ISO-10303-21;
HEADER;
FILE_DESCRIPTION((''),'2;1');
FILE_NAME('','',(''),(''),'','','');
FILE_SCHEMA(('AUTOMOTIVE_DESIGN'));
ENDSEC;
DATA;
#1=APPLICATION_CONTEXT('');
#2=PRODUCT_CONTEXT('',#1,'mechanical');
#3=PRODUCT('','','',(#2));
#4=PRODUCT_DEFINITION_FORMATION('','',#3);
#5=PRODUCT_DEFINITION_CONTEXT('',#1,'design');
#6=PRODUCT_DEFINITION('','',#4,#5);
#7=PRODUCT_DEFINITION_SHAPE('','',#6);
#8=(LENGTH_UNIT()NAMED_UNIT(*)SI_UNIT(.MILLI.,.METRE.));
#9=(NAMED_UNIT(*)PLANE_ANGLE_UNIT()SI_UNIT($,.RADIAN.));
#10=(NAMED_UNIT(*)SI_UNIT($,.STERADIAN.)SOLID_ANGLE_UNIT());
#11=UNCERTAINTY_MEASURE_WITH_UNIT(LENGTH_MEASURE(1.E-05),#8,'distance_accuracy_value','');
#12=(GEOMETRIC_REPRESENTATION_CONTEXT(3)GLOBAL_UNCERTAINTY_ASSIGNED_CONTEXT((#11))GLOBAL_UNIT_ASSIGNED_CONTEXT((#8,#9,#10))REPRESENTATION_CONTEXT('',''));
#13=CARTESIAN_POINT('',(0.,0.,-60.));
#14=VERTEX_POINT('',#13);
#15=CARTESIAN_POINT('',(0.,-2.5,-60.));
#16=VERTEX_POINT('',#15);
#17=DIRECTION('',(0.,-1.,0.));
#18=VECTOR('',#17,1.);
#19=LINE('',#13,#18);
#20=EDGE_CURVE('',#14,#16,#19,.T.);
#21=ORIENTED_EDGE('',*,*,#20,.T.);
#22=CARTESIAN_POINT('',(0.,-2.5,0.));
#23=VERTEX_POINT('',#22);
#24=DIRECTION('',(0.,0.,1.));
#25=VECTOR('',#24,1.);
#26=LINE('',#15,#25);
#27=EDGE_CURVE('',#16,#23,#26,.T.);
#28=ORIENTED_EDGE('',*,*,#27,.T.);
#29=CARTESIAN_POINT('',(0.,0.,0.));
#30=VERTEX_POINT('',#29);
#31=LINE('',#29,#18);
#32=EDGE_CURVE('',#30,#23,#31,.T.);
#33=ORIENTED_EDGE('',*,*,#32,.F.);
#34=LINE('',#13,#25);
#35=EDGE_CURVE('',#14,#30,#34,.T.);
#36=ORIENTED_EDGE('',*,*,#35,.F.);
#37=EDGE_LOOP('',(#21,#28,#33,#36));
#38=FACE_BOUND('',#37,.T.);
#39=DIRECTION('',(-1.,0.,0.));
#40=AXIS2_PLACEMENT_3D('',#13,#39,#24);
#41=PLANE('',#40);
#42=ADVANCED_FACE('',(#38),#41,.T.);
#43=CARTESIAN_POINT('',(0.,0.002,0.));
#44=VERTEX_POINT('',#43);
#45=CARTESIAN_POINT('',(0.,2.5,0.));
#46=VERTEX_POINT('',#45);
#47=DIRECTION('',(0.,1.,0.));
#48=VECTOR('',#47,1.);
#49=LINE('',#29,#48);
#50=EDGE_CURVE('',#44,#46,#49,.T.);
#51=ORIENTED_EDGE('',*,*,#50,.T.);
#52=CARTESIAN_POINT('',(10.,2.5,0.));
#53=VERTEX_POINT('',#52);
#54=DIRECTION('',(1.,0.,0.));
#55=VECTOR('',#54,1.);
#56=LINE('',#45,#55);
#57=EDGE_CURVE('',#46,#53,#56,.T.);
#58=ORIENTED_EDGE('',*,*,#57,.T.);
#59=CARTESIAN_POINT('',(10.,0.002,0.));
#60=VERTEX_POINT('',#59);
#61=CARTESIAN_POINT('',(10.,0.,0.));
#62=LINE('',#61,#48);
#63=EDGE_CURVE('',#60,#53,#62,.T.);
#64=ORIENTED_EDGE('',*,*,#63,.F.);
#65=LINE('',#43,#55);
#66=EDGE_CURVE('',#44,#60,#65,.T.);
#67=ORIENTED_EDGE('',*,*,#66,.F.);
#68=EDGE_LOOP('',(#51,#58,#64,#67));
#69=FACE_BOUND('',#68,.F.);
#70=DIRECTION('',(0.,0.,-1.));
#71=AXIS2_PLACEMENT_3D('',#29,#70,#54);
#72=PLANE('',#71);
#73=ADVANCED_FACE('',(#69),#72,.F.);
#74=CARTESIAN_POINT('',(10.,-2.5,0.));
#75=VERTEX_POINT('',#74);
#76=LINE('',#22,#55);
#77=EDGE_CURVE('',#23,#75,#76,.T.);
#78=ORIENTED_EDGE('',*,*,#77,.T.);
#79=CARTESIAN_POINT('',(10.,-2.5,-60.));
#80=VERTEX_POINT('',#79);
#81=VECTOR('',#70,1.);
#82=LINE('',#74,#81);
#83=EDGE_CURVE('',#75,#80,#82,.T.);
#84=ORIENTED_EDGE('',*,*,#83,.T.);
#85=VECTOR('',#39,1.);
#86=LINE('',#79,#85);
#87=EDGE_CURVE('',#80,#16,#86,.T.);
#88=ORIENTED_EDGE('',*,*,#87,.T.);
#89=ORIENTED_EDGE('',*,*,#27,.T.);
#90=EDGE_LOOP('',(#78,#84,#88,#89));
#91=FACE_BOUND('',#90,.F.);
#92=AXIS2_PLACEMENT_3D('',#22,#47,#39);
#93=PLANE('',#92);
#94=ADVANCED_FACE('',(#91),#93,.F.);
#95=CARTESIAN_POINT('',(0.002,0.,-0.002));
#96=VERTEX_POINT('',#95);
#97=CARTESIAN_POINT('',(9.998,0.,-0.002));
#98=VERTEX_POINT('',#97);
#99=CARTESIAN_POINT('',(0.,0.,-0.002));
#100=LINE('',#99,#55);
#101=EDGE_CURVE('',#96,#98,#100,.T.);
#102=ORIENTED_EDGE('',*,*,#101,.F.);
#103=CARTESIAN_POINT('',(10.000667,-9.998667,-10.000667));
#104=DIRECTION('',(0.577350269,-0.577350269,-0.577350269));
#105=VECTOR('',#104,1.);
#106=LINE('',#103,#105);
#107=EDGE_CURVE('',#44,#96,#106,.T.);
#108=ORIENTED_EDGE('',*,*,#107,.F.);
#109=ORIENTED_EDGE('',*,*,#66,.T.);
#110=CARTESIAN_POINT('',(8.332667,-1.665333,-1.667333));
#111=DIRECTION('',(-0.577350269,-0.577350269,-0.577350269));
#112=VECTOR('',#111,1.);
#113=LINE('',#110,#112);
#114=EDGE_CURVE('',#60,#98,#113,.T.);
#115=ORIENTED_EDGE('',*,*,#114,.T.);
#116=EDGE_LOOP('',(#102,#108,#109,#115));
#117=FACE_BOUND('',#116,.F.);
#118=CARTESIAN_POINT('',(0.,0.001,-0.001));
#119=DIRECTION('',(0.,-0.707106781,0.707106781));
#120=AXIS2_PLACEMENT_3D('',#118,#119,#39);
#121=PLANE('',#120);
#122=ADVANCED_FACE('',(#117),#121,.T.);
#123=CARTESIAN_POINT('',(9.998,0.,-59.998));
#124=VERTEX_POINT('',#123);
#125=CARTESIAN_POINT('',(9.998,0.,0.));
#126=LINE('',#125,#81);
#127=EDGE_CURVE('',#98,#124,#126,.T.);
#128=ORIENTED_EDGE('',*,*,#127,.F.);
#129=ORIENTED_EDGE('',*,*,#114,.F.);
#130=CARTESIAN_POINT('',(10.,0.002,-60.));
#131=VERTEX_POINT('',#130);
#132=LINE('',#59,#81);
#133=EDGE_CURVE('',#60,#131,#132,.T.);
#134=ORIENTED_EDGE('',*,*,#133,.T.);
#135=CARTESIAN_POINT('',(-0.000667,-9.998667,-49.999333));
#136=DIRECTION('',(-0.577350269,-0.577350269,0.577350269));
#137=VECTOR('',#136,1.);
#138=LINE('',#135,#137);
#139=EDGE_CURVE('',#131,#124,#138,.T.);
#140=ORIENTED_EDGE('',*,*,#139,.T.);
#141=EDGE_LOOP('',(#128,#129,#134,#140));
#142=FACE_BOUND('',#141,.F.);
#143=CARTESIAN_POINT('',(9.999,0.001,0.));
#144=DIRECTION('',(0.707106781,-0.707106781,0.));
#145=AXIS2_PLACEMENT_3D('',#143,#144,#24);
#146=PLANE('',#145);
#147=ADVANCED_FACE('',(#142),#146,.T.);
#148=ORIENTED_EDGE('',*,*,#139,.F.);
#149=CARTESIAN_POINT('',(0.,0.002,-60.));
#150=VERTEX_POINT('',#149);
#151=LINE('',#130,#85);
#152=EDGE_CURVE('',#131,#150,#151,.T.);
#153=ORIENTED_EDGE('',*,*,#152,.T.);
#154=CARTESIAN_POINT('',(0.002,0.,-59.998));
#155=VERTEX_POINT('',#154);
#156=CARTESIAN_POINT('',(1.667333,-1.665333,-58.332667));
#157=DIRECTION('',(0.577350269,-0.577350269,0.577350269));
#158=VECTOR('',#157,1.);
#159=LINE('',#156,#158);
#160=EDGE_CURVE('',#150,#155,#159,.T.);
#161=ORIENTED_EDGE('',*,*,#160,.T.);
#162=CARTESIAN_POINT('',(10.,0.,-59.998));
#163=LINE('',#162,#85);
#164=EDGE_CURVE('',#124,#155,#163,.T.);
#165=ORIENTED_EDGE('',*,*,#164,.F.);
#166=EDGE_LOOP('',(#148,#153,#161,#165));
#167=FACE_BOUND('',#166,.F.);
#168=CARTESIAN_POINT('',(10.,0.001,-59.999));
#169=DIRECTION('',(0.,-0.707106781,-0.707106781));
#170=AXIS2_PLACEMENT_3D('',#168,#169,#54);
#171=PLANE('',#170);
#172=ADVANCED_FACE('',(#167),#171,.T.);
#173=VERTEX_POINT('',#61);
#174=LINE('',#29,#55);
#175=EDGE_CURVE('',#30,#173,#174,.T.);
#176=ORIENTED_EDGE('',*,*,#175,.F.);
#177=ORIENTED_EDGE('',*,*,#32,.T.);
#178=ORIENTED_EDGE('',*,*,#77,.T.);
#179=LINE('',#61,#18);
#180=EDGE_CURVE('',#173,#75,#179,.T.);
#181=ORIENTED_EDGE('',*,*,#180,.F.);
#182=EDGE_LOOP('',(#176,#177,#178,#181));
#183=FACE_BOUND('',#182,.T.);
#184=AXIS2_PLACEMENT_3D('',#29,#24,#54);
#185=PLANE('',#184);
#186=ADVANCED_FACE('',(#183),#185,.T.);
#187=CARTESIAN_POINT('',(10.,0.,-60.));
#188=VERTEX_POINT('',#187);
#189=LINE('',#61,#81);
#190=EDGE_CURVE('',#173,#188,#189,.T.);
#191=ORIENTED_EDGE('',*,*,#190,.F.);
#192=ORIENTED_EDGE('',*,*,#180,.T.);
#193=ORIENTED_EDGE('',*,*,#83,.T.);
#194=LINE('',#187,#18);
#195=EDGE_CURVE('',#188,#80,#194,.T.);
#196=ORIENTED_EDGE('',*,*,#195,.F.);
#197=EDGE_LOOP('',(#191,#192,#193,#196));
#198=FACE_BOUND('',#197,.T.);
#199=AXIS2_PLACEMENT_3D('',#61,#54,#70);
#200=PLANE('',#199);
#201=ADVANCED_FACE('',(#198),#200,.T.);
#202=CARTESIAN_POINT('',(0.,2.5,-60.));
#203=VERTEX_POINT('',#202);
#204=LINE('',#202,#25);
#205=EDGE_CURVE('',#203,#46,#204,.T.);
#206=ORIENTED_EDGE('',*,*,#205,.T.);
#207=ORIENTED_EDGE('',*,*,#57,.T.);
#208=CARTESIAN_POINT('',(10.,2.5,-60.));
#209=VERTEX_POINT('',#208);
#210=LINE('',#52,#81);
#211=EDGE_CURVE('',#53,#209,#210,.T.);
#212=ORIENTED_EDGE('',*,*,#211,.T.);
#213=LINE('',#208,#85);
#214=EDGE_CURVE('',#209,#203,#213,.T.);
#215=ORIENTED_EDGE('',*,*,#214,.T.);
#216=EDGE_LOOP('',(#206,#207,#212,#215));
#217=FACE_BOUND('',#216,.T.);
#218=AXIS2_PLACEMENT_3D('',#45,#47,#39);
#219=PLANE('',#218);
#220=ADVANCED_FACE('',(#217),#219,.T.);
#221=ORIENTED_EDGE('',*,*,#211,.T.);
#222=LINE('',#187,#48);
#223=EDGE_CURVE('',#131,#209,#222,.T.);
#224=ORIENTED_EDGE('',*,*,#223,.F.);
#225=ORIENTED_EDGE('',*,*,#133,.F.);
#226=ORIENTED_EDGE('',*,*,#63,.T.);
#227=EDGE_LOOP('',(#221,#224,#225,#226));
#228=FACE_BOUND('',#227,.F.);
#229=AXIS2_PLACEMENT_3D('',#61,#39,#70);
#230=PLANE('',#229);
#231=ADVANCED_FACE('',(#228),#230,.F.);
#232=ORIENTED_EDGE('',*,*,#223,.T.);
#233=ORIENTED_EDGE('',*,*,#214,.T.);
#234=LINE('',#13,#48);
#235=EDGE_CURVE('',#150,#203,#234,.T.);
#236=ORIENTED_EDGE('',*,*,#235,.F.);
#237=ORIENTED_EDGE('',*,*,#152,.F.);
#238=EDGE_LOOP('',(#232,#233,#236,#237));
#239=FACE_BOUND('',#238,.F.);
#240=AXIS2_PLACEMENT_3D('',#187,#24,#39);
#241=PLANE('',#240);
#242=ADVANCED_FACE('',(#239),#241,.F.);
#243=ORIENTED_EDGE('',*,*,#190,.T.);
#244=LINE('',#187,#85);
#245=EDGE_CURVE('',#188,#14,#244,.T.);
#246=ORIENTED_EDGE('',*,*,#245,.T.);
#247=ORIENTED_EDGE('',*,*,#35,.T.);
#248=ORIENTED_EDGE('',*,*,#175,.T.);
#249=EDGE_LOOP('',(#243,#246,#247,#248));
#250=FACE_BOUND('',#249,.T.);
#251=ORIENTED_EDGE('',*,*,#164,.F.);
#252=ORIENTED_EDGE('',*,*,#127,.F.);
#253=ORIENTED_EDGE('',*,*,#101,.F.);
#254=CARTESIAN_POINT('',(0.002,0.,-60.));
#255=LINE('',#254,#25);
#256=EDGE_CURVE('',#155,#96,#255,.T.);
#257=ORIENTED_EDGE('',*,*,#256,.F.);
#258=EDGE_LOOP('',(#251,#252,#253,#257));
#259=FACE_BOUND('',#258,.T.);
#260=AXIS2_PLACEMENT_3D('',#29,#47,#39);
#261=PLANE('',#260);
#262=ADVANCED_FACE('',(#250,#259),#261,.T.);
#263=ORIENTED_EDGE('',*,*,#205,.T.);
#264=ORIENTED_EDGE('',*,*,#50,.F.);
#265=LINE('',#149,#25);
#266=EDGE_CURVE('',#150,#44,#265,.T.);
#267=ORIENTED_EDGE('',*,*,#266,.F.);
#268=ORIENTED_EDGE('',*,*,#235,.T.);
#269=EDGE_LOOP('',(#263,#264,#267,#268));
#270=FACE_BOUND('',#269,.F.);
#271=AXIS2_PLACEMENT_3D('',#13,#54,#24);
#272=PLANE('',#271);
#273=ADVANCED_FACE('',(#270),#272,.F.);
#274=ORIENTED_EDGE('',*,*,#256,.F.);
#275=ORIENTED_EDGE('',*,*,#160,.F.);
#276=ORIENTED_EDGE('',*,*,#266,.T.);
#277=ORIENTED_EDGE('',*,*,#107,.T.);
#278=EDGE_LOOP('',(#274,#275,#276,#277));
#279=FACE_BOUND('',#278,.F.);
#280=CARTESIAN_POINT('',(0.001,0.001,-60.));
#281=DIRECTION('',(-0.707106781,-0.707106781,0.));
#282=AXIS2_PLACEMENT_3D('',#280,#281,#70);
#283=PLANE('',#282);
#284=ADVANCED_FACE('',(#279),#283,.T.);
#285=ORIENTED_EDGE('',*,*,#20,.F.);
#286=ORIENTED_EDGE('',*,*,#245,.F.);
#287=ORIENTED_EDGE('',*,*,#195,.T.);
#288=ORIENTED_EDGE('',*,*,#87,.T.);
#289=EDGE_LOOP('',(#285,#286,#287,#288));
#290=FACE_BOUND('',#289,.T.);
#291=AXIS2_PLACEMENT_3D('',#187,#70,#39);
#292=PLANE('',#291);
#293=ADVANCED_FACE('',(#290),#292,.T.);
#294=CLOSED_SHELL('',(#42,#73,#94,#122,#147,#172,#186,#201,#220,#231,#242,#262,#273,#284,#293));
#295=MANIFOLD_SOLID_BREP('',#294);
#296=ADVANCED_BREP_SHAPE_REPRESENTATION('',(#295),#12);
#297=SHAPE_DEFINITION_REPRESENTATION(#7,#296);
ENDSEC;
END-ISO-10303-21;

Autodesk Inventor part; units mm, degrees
ref_plane "YZ Plane" through (0, 0, 0) normal (1, 0, 0) x (0, 1, 0)
ref_plane "XZ Plane" through (0, 0, 0) normal (0, 1, 0) x (-1, 0, 0)
ref_plane "XY Plane" through (0, 0, 0) normal (0, 0, 1) x (1, 0, 0)
sketch "Sketch1" plane through (0, 0, 0) normal (0, 1, 0) x (-1, 0, 0)
  line L0 (0, 0) -> (-10, 0)
  line L1 (-10, 0) -> (-10, -60)
  line L2 (-10, -60) -> (0, -60)
  line L3 (0, -60) -> (0, 0)
  dimension "d0" = 10
  dimension "d1" = 60
extrude "Extrusion1" add sketch "Sketch1" along normal blind 2.5
chamfer "Chamfer1" distance 0.002 angle 45 4 edges at (10, 0, -30) (5, 0, -60) (0, 0, -30) (5, 0, 0)
extrude "Extrusion2" add sketch "Sketch1" against normal blind 2.5
equation "\"d0\" = driveMagnet_width"
equation "\"d1\" = driveMagnet_length"
equation "\"d2\" = 0.5 * driveMagnet_height"
equation "\"d4\" = 0.5 * driveMagnet_height"
equation "\"gap\" = 0.1"
equation "\"airgap\" = 0.4"
equation "\"driveMagnet_length\" = 60"
equation "\"driveMagnet_width\" = 10"
equation "\"driveMagnet_height\" = 5"
equation "\"halbachMagnet_height\" = 3"
equation "\"sensorMagnet_diameter\" = 5"
equation "\"sensorMagnet_height\" = 2.66667"
equation "\"wallgap\" = 2"
equation "\"motorRadius\" = 2 * gap + driveMagnet_centerSpacingRadius + driveMagnet_length + 2 * wallgap"
equation "\"shaftDiameter\" = 8"
equation "\"flangeBearing_outerDiameter\" = 16"
equation "\"flangeBearing_innerDiameter\" = shaftDiameter"
equation "\"flangeBearing_height\" = 5"
equation "\"flangeBearing_flangeHeight\" = 1"
equation "\"flangeBearing_flangeDiameter\" = 18"
equation "\"magnetTrapNut_height\" = 1.2"
equation "\"magnetTrapNut_sideToSide\" = 4"
equation "\"magnetTrapBolt_headHeight\" = 2"
equation "\"magnetTrapBolt_headDiameter\" = 3.98"
equation "\"magnetTrapBolt_diameter\" = 2"
equation "\"statorThickness\" = coilThickness + 2 * wallgap"
equation "\"rotor_mountingLipHeight\" = 0.5 * statorThickness"
equation "\"magnetTrapHexNut_sideToSide\" = 4"
equation "\"magnetTrapSquareNut_sideLength\" = 4"
equation "\"magnetTrapSquareNut_height\" = 1.2"
equation "\"magnetTrapHexNut_height\" = 1.2"
equation "\"rotorRadius\" = 2 * gap + driveMagnet_centerSpacingRadius + driveMagnet_length + wallgap"
equation "\"rotorBandSquareNut_sideLength\" = 4"
equation "\"rotorBandHexNut_height\" = 1.2"
equation "\"rotorBandHexNut_sideToSide\" = 4"
equation "\"rotorBandSquareNut_height\" = 1.2"
equation "\"rotorBandBolt_headHeight\" = 2"
equation "\"rotorBandBolt_headDiameter\" = 3.98"
equation "\"rotorBandBolt_diameter\" = 2"
equation "\"rotorBandThickness\" = wallgap + rotorBandBolt_headHeight + gap"
equation "\"flangeCoupling_collarOuterDiameter\" = 16"
equation "\"flangeCoupling_flangeHoleEdgeToEdge\" = 2.05"
equation "\"flangeCoupling_innerDiameter\" = shaftDiameter"
equation "\"flangeCoupling_flangeHoleDiameter\" = 3.9"
equation "\"flangeCoupling_flangeHeight\" = 3.1"
equation "\"flangeCoupling_flangeDiameter\" = 32"
equation "\"flangeCoupling_height\" = flangeCoupling_collarHeight + flangeCoupling_flangeHeight"
equation "\"flangeCoupling_mountHoleDiameter\" = 3.9"
equation "\"flangeCoupling_mountHoleEdgeToEdge\" = 2.05"
equation "\"statorRadius\" = driveMagnet_length + driveMagnet_centerSpacingRadius + 2 * gap"
equation "\"coilThickness\" = 12"
equation "\"statorMountBolt_diameter\" = 4"
equation "\"statorMountBolt_headDiameter\" = 7"
equation "\"statorMountBolt_headHeight\" = 4"
equation "\"statorMountBolt_shaftLength\" = coilThickness + flangeCoupling_flangeHeight + wallgap"
equation "\"statorMountHexNut_height\" = 4"
equation "\"statorMountHexNut_sideToSide\" = 8"
equation "\"sensorMagnet_ringRadius\" = 0.5 * driveMagnet_centerSpacingRadius + 2 * wallgap"
equation "\"coil_percentCoverage\" = 0.6"
equation "\"statorSpokeDegrees\" = 4deg"
equation "\"coil_bulge\" = 3"
equation "\"statorCoilBolt_shaftLength\" = coilThickness"
equation "\"statorCoilHexNut_height\" = 1.2"
equation "\"statorCoilBolt_headHeight\" = 2"
equation "\"statorCoilBolt_diameter\" = 2"
equation "\"statorCoilBolt_headDiameter\" = 3.98"
equation "\"statorCoilHexNut_sideToSide\" = 4"
equation "\"driveMagnet_centerSpacingRadius\" = 38.96113"
equation "\"flangeCoupling_collarHeight\" = 10"
properties part number "DriveMagnet"
